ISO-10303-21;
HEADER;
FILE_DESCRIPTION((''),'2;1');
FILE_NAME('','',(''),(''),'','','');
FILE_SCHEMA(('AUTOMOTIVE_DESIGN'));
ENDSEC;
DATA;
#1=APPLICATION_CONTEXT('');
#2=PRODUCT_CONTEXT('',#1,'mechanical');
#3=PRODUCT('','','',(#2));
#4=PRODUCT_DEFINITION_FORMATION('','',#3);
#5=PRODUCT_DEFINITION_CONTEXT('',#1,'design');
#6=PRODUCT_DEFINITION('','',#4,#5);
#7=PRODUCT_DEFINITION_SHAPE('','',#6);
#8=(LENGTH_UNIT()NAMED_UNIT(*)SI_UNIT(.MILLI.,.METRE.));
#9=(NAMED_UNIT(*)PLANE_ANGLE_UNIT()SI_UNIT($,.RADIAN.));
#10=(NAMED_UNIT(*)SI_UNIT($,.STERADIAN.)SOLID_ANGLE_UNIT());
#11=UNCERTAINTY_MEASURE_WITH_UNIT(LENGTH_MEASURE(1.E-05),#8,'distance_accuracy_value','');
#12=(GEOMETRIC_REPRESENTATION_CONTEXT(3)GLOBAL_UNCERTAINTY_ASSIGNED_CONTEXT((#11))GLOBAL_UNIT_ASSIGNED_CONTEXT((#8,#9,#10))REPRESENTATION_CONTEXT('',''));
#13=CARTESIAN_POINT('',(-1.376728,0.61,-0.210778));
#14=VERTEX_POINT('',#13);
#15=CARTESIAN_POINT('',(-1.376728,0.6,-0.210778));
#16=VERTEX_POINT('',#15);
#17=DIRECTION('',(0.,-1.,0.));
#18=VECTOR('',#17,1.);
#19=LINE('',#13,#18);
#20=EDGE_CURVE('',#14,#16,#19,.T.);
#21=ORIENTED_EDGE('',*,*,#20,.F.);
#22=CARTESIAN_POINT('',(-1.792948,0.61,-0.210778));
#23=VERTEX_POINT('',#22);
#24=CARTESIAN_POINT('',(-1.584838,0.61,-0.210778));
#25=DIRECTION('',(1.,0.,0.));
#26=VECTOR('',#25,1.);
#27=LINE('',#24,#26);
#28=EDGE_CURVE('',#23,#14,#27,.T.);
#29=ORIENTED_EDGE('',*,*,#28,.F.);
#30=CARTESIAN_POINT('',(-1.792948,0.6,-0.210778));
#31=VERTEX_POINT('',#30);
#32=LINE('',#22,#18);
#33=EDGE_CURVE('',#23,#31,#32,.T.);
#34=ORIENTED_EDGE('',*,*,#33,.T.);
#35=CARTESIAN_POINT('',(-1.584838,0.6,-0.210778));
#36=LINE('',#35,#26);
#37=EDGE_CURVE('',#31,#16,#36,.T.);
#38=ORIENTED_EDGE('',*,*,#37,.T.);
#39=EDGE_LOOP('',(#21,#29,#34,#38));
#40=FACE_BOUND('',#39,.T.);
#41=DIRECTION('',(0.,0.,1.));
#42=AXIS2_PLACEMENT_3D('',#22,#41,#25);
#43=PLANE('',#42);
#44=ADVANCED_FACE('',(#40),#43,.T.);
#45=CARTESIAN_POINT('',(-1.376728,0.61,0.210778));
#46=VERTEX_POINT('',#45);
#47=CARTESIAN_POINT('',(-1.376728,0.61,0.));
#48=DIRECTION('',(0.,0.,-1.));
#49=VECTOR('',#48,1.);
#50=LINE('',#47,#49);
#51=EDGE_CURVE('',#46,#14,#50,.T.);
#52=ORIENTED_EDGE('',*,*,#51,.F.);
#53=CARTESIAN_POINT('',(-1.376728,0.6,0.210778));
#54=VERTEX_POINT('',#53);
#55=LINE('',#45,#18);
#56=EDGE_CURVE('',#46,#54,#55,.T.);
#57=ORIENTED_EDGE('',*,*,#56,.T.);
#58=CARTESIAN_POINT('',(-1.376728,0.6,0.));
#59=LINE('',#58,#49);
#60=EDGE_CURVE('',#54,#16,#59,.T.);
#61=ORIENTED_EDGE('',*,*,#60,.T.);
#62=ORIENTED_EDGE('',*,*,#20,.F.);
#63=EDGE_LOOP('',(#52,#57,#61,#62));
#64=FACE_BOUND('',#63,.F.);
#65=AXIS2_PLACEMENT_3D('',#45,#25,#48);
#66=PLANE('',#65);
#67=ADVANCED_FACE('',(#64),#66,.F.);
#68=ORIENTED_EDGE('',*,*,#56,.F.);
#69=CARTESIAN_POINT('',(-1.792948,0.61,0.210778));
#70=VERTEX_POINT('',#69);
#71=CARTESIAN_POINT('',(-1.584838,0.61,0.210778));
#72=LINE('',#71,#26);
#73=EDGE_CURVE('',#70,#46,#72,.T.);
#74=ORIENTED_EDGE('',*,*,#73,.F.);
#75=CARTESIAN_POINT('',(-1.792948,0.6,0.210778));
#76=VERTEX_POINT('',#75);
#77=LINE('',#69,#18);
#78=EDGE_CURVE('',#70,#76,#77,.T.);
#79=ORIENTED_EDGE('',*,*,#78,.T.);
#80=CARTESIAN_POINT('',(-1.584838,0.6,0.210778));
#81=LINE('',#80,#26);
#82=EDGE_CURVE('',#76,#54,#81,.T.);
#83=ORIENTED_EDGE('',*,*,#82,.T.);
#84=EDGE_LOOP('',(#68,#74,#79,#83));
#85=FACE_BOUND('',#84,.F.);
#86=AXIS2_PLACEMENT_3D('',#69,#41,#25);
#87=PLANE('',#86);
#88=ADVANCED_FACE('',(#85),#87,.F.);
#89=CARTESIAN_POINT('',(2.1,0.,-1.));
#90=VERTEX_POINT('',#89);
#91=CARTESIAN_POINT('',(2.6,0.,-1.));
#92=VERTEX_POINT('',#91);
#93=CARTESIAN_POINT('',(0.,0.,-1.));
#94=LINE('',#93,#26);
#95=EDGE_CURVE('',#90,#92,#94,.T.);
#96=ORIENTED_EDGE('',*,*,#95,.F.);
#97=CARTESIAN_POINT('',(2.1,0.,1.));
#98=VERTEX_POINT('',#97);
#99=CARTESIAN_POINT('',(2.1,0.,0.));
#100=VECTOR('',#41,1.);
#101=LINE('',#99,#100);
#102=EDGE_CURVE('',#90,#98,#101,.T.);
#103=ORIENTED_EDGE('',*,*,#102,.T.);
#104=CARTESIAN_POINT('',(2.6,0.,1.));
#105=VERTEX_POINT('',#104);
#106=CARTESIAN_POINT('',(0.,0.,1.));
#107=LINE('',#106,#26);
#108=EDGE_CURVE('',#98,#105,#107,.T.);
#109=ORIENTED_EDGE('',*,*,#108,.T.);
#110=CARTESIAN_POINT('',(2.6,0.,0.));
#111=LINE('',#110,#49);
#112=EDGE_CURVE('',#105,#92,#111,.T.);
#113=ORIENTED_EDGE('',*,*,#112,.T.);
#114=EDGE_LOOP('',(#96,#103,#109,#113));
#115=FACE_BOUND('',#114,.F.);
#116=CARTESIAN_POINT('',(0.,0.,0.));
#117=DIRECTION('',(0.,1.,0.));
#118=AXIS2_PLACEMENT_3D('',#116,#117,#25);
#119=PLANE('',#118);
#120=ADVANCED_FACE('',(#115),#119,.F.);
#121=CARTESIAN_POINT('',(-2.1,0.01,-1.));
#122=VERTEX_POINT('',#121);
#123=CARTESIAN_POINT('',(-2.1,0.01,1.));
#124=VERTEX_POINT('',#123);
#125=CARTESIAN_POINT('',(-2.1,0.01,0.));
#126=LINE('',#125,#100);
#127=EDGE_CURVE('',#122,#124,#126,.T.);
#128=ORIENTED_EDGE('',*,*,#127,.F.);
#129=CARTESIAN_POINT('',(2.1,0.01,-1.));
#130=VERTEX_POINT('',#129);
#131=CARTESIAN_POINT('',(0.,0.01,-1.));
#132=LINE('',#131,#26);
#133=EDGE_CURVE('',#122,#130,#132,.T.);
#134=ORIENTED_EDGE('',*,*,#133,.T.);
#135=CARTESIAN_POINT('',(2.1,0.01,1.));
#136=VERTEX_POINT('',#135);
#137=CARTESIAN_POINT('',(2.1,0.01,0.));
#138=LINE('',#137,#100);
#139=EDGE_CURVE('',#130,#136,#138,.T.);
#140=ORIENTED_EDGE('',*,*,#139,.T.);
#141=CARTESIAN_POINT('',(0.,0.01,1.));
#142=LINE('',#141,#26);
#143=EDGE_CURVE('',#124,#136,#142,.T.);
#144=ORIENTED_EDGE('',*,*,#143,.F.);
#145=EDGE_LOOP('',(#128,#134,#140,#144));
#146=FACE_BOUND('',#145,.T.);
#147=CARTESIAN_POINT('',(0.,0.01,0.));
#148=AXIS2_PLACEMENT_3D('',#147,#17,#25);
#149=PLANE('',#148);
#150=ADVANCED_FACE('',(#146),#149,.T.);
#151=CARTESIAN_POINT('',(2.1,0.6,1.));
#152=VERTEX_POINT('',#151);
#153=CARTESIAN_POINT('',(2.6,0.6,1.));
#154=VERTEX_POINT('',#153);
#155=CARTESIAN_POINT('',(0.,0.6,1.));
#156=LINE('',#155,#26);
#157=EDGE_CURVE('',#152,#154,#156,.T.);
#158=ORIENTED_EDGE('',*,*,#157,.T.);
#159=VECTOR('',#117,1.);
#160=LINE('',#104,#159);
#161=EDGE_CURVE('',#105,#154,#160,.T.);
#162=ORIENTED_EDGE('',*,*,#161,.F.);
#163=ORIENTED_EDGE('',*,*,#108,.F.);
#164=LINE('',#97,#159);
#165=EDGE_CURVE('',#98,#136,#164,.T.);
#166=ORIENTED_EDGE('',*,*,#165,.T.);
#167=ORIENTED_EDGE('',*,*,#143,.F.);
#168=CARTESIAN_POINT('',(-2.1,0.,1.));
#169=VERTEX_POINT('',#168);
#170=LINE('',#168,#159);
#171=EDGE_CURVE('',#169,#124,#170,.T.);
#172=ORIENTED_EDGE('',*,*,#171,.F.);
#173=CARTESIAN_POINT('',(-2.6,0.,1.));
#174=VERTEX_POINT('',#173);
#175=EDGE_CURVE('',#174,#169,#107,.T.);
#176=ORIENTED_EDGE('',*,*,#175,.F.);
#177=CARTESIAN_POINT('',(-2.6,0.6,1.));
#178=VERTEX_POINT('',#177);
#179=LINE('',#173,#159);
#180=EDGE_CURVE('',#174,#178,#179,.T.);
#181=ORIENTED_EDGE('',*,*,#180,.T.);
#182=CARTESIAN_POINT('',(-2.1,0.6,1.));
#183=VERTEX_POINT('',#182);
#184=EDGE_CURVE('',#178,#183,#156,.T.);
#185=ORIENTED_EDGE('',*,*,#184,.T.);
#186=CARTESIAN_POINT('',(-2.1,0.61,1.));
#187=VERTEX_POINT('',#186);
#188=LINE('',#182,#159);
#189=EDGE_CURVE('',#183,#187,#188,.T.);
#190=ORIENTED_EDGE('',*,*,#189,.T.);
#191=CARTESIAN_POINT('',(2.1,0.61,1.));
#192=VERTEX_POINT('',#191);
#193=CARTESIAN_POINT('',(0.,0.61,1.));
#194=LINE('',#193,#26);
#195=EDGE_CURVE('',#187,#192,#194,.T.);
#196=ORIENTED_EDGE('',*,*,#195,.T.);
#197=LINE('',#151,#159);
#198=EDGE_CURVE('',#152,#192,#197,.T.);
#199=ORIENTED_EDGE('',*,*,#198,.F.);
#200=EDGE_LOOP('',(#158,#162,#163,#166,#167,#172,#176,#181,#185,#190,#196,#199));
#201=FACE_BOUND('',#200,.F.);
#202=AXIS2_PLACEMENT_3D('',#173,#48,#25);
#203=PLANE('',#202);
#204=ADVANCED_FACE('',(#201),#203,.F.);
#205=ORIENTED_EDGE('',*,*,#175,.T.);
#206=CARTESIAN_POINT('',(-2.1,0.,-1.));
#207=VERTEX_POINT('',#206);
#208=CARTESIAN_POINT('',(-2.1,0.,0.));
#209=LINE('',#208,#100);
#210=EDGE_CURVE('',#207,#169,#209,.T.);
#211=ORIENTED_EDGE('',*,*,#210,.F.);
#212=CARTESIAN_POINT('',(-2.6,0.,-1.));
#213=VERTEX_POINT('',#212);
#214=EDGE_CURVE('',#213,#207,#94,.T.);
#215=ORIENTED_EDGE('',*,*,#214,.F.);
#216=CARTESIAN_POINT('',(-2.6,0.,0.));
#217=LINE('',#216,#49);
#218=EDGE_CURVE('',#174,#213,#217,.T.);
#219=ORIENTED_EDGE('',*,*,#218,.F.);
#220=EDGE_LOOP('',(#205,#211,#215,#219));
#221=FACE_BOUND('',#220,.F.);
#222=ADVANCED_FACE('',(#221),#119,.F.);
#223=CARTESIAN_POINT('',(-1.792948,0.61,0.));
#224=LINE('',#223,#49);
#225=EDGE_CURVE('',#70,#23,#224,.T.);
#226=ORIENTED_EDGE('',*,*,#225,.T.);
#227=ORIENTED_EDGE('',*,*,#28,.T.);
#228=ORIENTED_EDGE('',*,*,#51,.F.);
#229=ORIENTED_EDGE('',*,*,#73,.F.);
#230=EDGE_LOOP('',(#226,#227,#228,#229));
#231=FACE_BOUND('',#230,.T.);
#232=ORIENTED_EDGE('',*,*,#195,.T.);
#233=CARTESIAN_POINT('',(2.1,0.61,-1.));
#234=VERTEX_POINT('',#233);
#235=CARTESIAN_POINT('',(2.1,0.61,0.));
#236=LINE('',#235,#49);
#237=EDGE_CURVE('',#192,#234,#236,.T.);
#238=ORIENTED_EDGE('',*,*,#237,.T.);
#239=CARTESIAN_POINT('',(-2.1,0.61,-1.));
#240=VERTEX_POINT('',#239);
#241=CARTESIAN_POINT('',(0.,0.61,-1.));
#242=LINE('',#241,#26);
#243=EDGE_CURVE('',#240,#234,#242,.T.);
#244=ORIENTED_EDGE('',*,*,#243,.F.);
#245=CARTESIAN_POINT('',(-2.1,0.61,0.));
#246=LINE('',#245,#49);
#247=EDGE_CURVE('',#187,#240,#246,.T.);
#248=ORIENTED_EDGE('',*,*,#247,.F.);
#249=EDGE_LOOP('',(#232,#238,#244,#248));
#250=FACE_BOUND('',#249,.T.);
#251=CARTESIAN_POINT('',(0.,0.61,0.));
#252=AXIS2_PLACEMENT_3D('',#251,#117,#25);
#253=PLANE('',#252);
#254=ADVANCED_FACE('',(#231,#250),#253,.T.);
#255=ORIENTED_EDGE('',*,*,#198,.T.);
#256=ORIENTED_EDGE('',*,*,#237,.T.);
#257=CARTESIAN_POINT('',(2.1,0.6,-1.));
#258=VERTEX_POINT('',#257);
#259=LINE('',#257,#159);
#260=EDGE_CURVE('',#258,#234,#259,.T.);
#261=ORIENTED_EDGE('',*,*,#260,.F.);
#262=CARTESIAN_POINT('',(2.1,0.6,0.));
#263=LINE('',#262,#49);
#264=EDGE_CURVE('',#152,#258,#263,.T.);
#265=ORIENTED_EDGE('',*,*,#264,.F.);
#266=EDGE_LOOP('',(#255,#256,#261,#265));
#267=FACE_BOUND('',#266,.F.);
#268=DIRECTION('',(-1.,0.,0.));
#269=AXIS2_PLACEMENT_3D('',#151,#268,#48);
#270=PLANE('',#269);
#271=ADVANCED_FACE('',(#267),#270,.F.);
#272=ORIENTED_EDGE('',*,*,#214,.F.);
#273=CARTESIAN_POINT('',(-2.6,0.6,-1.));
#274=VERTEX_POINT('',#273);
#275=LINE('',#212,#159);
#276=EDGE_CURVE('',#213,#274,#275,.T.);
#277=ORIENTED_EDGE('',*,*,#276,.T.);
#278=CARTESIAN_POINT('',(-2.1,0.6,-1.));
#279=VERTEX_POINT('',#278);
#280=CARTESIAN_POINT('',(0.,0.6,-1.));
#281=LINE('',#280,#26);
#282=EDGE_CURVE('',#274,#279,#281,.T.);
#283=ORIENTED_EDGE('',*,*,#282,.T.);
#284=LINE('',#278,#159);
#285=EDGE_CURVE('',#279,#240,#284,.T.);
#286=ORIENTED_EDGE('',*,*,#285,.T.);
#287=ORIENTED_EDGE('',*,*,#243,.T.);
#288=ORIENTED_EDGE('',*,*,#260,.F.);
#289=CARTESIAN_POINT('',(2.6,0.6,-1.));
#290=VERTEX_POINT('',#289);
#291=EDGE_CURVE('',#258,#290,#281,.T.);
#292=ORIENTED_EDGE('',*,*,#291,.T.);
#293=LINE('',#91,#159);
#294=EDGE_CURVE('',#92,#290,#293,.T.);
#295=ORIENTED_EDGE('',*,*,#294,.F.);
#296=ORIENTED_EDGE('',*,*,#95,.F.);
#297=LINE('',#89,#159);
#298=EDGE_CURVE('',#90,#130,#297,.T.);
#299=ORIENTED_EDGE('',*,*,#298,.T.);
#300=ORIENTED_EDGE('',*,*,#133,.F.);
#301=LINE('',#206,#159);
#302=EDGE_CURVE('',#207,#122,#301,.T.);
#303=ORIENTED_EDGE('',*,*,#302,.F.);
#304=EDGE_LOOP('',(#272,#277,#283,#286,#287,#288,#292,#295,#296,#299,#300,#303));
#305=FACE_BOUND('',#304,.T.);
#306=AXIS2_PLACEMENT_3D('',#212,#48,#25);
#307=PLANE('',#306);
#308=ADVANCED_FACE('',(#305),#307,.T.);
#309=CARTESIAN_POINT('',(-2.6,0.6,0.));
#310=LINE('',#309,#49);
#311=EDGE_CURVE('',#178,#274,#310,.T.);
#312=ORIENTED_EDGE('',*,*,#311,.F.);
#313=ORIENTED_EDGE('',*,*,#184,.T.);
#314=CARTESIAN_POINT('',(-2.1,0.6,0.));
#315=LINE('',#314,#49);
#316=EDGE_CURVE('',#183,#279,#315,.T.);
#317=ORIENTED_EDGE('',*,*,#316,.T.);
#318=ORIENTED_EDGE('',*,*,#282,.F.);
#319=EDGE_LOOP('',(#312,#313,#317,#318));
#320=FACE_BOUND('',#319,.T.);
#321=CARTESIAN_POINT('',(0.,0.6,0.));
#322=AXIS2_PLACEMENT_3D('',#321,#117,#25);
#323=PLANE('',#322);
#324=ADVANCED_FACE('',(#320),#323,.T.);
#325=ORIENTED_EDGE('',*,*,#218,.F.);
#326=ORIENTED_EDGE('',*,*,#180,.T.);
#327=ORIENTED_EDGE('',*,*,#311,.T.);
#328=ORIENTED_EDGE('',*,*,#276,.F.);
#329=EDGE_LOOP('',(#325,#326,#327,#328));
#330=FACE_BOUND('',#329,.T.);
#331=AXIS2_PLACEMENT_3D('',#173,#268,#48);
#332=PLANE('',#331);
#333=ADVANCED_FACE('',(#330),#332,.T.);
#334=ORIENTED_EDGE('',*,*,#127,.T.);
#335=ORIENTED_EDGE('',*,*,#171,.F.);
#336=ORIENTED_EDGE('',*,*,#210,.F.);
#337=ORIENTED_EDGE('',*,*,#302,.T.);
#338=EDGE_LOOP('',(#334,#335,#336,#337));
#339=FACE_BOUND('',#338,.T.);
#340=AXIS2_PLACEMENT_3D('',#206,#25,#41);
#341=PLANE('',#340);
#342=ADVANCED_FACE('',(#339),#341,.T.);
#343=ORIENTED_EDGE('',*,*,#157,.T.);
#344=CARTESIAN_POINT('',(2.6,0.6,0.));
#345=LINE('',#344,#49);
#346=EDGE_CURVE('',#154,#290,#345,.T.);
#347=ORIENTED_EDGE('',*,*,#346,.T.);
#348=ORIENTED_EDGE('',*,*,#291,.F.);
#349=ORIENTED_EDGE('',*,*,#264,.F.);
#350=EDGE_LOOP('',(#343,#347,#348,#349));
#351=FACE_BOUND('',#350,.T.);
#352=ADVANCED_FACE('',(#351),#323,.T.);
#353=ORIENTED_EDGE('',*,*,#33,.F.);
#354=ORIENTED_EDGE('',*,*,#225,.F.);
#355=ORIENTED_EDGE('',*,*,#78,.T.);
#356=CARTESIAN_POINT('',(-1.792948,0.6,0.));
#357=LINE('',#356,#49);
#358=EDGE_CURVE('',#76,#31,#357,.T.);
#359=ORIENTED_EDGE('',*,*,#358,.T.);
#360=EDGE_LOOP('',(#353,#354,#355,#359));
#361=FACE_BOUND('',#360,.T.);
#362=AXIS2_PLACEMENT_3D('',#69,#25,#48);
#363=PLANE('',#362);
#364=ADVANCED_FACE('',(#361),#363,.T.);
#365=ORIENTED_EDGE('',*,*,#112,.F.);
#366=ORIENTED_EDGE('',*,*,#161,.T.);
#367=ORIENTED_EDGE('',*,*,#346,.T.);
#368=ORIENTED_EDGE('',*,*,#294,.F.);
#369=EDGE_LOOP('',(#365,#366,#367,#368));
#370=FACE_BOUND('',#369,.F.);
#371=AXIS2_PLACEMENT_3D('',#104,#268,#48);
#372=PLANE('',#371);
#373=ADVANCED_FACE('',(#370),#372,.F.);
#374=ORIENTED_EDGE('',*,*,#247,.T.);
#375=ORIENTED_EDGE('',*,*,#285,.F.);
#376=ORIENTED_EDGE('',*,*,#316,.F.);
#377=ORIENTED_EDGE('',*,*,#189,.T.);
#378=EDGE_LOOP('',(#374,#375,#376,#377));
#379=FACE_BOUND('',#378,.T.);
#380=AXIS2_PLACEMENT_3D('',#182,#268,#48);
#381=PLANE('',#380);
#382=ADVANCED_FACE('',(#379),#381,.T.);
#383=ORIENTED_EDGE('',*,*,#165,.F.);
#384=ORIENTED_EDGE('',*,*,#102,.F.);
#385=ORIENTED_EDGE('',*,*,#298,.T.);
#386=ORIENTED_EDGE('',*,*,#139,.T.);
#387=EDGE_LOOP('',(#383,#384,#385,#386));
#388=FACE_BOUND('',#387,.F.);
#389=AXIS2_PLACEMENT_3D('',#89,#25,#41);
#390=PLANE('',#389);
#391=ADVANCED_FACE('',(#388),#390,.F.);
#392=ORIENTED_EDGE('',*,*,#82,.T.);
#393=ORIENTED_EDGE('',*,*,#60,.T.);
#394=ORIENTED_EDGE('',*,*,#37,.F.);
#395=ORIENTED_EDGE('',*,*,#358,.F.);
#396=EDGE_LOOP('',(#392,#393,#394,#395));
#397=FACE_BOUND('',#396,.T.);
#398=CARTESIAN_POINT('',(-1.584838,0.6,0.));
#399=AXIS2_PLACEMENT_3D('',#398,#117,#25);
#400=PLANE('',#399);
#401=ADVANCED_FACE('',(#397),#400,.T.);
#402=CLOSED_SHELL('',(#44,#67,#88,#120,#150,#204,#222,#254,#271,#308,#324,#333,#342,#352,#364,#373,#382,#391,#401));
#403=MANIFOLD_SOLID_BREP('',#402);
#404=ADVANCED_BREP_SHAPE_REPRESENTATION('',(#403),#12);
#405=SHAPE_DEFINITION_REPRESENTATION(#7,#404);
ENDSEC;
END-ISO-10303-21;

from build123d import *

# Parameters (mm, degrees)
SKETCH_1_W          = 5.2
SKETCH_1_H          = 2
EXTRUDE_1_DEPTH     = 0.6
SKETCH_2_W          = 4.2
SKETCH_2_H          = 2
EXTRUDE_2_DEPTH     = 0.01
SKETCH_3_W          = 0.416220045
SKETCH_3_H          = 0.4215562
CUT_EXTRUDE_1_DEPTH = 0.01
SKETCH_4_W          = 4.2
SKETCH_4_H          = 2
CUT_EXTRUDE_2_DEPTH = 0.01


with BuildPart() as part:
    # Эскиз1 → Бобышка-Вытянуть1 (new body)
    with BuildSketch(Plane(origin=(0, 0, 0), x_dir=(1, 0, 0), z_dir=(0, 1, 0))):
        Rectangle(SKETCH_1_W, SKETCH_1_H)
    extrude(amount=EXTRUDE_1_DEPTH)

    # Эскиз2 → Бобышка-Вытянуть2 (add)
    with BuildSketch(Plane(origin=(0, 0.6, 0), x_dir=(1, 0, 0), z_dir=(0, 1, 0))):
        Rectangle(SKETCH_2_W, SKETCH_2_H)
    extrude(amount=EXTRUDE_2_DEPTH)

    # Эскиз3 → Вырез-Вытянуть1 (cut)
    with BuildSketch(Plane(origin=(0, 0.61, 0), x_dir=(1, 0, 0), z_dir=(0, 1, 0))):
        with Locations((-1.584837867, 0)):
            Rectangle(SKETCH_3_W, SKETCH_3_H)
    extrude(amount=-CUT_EXTRUDE_1_DEPTH, mode=Mode.SUBTRACT)

    # Эскиз4 → Вырез-Вытянуть2 (cut)
    with BuildSketch(Plane.XZ):
        Rectangle(SKETCH_4_W, SKETCH_4_H)
    extrude(amount=-CUT_EXTRUDE_2_DEPTH, mode=Mode.SUBTRACT)


solid = part.part
